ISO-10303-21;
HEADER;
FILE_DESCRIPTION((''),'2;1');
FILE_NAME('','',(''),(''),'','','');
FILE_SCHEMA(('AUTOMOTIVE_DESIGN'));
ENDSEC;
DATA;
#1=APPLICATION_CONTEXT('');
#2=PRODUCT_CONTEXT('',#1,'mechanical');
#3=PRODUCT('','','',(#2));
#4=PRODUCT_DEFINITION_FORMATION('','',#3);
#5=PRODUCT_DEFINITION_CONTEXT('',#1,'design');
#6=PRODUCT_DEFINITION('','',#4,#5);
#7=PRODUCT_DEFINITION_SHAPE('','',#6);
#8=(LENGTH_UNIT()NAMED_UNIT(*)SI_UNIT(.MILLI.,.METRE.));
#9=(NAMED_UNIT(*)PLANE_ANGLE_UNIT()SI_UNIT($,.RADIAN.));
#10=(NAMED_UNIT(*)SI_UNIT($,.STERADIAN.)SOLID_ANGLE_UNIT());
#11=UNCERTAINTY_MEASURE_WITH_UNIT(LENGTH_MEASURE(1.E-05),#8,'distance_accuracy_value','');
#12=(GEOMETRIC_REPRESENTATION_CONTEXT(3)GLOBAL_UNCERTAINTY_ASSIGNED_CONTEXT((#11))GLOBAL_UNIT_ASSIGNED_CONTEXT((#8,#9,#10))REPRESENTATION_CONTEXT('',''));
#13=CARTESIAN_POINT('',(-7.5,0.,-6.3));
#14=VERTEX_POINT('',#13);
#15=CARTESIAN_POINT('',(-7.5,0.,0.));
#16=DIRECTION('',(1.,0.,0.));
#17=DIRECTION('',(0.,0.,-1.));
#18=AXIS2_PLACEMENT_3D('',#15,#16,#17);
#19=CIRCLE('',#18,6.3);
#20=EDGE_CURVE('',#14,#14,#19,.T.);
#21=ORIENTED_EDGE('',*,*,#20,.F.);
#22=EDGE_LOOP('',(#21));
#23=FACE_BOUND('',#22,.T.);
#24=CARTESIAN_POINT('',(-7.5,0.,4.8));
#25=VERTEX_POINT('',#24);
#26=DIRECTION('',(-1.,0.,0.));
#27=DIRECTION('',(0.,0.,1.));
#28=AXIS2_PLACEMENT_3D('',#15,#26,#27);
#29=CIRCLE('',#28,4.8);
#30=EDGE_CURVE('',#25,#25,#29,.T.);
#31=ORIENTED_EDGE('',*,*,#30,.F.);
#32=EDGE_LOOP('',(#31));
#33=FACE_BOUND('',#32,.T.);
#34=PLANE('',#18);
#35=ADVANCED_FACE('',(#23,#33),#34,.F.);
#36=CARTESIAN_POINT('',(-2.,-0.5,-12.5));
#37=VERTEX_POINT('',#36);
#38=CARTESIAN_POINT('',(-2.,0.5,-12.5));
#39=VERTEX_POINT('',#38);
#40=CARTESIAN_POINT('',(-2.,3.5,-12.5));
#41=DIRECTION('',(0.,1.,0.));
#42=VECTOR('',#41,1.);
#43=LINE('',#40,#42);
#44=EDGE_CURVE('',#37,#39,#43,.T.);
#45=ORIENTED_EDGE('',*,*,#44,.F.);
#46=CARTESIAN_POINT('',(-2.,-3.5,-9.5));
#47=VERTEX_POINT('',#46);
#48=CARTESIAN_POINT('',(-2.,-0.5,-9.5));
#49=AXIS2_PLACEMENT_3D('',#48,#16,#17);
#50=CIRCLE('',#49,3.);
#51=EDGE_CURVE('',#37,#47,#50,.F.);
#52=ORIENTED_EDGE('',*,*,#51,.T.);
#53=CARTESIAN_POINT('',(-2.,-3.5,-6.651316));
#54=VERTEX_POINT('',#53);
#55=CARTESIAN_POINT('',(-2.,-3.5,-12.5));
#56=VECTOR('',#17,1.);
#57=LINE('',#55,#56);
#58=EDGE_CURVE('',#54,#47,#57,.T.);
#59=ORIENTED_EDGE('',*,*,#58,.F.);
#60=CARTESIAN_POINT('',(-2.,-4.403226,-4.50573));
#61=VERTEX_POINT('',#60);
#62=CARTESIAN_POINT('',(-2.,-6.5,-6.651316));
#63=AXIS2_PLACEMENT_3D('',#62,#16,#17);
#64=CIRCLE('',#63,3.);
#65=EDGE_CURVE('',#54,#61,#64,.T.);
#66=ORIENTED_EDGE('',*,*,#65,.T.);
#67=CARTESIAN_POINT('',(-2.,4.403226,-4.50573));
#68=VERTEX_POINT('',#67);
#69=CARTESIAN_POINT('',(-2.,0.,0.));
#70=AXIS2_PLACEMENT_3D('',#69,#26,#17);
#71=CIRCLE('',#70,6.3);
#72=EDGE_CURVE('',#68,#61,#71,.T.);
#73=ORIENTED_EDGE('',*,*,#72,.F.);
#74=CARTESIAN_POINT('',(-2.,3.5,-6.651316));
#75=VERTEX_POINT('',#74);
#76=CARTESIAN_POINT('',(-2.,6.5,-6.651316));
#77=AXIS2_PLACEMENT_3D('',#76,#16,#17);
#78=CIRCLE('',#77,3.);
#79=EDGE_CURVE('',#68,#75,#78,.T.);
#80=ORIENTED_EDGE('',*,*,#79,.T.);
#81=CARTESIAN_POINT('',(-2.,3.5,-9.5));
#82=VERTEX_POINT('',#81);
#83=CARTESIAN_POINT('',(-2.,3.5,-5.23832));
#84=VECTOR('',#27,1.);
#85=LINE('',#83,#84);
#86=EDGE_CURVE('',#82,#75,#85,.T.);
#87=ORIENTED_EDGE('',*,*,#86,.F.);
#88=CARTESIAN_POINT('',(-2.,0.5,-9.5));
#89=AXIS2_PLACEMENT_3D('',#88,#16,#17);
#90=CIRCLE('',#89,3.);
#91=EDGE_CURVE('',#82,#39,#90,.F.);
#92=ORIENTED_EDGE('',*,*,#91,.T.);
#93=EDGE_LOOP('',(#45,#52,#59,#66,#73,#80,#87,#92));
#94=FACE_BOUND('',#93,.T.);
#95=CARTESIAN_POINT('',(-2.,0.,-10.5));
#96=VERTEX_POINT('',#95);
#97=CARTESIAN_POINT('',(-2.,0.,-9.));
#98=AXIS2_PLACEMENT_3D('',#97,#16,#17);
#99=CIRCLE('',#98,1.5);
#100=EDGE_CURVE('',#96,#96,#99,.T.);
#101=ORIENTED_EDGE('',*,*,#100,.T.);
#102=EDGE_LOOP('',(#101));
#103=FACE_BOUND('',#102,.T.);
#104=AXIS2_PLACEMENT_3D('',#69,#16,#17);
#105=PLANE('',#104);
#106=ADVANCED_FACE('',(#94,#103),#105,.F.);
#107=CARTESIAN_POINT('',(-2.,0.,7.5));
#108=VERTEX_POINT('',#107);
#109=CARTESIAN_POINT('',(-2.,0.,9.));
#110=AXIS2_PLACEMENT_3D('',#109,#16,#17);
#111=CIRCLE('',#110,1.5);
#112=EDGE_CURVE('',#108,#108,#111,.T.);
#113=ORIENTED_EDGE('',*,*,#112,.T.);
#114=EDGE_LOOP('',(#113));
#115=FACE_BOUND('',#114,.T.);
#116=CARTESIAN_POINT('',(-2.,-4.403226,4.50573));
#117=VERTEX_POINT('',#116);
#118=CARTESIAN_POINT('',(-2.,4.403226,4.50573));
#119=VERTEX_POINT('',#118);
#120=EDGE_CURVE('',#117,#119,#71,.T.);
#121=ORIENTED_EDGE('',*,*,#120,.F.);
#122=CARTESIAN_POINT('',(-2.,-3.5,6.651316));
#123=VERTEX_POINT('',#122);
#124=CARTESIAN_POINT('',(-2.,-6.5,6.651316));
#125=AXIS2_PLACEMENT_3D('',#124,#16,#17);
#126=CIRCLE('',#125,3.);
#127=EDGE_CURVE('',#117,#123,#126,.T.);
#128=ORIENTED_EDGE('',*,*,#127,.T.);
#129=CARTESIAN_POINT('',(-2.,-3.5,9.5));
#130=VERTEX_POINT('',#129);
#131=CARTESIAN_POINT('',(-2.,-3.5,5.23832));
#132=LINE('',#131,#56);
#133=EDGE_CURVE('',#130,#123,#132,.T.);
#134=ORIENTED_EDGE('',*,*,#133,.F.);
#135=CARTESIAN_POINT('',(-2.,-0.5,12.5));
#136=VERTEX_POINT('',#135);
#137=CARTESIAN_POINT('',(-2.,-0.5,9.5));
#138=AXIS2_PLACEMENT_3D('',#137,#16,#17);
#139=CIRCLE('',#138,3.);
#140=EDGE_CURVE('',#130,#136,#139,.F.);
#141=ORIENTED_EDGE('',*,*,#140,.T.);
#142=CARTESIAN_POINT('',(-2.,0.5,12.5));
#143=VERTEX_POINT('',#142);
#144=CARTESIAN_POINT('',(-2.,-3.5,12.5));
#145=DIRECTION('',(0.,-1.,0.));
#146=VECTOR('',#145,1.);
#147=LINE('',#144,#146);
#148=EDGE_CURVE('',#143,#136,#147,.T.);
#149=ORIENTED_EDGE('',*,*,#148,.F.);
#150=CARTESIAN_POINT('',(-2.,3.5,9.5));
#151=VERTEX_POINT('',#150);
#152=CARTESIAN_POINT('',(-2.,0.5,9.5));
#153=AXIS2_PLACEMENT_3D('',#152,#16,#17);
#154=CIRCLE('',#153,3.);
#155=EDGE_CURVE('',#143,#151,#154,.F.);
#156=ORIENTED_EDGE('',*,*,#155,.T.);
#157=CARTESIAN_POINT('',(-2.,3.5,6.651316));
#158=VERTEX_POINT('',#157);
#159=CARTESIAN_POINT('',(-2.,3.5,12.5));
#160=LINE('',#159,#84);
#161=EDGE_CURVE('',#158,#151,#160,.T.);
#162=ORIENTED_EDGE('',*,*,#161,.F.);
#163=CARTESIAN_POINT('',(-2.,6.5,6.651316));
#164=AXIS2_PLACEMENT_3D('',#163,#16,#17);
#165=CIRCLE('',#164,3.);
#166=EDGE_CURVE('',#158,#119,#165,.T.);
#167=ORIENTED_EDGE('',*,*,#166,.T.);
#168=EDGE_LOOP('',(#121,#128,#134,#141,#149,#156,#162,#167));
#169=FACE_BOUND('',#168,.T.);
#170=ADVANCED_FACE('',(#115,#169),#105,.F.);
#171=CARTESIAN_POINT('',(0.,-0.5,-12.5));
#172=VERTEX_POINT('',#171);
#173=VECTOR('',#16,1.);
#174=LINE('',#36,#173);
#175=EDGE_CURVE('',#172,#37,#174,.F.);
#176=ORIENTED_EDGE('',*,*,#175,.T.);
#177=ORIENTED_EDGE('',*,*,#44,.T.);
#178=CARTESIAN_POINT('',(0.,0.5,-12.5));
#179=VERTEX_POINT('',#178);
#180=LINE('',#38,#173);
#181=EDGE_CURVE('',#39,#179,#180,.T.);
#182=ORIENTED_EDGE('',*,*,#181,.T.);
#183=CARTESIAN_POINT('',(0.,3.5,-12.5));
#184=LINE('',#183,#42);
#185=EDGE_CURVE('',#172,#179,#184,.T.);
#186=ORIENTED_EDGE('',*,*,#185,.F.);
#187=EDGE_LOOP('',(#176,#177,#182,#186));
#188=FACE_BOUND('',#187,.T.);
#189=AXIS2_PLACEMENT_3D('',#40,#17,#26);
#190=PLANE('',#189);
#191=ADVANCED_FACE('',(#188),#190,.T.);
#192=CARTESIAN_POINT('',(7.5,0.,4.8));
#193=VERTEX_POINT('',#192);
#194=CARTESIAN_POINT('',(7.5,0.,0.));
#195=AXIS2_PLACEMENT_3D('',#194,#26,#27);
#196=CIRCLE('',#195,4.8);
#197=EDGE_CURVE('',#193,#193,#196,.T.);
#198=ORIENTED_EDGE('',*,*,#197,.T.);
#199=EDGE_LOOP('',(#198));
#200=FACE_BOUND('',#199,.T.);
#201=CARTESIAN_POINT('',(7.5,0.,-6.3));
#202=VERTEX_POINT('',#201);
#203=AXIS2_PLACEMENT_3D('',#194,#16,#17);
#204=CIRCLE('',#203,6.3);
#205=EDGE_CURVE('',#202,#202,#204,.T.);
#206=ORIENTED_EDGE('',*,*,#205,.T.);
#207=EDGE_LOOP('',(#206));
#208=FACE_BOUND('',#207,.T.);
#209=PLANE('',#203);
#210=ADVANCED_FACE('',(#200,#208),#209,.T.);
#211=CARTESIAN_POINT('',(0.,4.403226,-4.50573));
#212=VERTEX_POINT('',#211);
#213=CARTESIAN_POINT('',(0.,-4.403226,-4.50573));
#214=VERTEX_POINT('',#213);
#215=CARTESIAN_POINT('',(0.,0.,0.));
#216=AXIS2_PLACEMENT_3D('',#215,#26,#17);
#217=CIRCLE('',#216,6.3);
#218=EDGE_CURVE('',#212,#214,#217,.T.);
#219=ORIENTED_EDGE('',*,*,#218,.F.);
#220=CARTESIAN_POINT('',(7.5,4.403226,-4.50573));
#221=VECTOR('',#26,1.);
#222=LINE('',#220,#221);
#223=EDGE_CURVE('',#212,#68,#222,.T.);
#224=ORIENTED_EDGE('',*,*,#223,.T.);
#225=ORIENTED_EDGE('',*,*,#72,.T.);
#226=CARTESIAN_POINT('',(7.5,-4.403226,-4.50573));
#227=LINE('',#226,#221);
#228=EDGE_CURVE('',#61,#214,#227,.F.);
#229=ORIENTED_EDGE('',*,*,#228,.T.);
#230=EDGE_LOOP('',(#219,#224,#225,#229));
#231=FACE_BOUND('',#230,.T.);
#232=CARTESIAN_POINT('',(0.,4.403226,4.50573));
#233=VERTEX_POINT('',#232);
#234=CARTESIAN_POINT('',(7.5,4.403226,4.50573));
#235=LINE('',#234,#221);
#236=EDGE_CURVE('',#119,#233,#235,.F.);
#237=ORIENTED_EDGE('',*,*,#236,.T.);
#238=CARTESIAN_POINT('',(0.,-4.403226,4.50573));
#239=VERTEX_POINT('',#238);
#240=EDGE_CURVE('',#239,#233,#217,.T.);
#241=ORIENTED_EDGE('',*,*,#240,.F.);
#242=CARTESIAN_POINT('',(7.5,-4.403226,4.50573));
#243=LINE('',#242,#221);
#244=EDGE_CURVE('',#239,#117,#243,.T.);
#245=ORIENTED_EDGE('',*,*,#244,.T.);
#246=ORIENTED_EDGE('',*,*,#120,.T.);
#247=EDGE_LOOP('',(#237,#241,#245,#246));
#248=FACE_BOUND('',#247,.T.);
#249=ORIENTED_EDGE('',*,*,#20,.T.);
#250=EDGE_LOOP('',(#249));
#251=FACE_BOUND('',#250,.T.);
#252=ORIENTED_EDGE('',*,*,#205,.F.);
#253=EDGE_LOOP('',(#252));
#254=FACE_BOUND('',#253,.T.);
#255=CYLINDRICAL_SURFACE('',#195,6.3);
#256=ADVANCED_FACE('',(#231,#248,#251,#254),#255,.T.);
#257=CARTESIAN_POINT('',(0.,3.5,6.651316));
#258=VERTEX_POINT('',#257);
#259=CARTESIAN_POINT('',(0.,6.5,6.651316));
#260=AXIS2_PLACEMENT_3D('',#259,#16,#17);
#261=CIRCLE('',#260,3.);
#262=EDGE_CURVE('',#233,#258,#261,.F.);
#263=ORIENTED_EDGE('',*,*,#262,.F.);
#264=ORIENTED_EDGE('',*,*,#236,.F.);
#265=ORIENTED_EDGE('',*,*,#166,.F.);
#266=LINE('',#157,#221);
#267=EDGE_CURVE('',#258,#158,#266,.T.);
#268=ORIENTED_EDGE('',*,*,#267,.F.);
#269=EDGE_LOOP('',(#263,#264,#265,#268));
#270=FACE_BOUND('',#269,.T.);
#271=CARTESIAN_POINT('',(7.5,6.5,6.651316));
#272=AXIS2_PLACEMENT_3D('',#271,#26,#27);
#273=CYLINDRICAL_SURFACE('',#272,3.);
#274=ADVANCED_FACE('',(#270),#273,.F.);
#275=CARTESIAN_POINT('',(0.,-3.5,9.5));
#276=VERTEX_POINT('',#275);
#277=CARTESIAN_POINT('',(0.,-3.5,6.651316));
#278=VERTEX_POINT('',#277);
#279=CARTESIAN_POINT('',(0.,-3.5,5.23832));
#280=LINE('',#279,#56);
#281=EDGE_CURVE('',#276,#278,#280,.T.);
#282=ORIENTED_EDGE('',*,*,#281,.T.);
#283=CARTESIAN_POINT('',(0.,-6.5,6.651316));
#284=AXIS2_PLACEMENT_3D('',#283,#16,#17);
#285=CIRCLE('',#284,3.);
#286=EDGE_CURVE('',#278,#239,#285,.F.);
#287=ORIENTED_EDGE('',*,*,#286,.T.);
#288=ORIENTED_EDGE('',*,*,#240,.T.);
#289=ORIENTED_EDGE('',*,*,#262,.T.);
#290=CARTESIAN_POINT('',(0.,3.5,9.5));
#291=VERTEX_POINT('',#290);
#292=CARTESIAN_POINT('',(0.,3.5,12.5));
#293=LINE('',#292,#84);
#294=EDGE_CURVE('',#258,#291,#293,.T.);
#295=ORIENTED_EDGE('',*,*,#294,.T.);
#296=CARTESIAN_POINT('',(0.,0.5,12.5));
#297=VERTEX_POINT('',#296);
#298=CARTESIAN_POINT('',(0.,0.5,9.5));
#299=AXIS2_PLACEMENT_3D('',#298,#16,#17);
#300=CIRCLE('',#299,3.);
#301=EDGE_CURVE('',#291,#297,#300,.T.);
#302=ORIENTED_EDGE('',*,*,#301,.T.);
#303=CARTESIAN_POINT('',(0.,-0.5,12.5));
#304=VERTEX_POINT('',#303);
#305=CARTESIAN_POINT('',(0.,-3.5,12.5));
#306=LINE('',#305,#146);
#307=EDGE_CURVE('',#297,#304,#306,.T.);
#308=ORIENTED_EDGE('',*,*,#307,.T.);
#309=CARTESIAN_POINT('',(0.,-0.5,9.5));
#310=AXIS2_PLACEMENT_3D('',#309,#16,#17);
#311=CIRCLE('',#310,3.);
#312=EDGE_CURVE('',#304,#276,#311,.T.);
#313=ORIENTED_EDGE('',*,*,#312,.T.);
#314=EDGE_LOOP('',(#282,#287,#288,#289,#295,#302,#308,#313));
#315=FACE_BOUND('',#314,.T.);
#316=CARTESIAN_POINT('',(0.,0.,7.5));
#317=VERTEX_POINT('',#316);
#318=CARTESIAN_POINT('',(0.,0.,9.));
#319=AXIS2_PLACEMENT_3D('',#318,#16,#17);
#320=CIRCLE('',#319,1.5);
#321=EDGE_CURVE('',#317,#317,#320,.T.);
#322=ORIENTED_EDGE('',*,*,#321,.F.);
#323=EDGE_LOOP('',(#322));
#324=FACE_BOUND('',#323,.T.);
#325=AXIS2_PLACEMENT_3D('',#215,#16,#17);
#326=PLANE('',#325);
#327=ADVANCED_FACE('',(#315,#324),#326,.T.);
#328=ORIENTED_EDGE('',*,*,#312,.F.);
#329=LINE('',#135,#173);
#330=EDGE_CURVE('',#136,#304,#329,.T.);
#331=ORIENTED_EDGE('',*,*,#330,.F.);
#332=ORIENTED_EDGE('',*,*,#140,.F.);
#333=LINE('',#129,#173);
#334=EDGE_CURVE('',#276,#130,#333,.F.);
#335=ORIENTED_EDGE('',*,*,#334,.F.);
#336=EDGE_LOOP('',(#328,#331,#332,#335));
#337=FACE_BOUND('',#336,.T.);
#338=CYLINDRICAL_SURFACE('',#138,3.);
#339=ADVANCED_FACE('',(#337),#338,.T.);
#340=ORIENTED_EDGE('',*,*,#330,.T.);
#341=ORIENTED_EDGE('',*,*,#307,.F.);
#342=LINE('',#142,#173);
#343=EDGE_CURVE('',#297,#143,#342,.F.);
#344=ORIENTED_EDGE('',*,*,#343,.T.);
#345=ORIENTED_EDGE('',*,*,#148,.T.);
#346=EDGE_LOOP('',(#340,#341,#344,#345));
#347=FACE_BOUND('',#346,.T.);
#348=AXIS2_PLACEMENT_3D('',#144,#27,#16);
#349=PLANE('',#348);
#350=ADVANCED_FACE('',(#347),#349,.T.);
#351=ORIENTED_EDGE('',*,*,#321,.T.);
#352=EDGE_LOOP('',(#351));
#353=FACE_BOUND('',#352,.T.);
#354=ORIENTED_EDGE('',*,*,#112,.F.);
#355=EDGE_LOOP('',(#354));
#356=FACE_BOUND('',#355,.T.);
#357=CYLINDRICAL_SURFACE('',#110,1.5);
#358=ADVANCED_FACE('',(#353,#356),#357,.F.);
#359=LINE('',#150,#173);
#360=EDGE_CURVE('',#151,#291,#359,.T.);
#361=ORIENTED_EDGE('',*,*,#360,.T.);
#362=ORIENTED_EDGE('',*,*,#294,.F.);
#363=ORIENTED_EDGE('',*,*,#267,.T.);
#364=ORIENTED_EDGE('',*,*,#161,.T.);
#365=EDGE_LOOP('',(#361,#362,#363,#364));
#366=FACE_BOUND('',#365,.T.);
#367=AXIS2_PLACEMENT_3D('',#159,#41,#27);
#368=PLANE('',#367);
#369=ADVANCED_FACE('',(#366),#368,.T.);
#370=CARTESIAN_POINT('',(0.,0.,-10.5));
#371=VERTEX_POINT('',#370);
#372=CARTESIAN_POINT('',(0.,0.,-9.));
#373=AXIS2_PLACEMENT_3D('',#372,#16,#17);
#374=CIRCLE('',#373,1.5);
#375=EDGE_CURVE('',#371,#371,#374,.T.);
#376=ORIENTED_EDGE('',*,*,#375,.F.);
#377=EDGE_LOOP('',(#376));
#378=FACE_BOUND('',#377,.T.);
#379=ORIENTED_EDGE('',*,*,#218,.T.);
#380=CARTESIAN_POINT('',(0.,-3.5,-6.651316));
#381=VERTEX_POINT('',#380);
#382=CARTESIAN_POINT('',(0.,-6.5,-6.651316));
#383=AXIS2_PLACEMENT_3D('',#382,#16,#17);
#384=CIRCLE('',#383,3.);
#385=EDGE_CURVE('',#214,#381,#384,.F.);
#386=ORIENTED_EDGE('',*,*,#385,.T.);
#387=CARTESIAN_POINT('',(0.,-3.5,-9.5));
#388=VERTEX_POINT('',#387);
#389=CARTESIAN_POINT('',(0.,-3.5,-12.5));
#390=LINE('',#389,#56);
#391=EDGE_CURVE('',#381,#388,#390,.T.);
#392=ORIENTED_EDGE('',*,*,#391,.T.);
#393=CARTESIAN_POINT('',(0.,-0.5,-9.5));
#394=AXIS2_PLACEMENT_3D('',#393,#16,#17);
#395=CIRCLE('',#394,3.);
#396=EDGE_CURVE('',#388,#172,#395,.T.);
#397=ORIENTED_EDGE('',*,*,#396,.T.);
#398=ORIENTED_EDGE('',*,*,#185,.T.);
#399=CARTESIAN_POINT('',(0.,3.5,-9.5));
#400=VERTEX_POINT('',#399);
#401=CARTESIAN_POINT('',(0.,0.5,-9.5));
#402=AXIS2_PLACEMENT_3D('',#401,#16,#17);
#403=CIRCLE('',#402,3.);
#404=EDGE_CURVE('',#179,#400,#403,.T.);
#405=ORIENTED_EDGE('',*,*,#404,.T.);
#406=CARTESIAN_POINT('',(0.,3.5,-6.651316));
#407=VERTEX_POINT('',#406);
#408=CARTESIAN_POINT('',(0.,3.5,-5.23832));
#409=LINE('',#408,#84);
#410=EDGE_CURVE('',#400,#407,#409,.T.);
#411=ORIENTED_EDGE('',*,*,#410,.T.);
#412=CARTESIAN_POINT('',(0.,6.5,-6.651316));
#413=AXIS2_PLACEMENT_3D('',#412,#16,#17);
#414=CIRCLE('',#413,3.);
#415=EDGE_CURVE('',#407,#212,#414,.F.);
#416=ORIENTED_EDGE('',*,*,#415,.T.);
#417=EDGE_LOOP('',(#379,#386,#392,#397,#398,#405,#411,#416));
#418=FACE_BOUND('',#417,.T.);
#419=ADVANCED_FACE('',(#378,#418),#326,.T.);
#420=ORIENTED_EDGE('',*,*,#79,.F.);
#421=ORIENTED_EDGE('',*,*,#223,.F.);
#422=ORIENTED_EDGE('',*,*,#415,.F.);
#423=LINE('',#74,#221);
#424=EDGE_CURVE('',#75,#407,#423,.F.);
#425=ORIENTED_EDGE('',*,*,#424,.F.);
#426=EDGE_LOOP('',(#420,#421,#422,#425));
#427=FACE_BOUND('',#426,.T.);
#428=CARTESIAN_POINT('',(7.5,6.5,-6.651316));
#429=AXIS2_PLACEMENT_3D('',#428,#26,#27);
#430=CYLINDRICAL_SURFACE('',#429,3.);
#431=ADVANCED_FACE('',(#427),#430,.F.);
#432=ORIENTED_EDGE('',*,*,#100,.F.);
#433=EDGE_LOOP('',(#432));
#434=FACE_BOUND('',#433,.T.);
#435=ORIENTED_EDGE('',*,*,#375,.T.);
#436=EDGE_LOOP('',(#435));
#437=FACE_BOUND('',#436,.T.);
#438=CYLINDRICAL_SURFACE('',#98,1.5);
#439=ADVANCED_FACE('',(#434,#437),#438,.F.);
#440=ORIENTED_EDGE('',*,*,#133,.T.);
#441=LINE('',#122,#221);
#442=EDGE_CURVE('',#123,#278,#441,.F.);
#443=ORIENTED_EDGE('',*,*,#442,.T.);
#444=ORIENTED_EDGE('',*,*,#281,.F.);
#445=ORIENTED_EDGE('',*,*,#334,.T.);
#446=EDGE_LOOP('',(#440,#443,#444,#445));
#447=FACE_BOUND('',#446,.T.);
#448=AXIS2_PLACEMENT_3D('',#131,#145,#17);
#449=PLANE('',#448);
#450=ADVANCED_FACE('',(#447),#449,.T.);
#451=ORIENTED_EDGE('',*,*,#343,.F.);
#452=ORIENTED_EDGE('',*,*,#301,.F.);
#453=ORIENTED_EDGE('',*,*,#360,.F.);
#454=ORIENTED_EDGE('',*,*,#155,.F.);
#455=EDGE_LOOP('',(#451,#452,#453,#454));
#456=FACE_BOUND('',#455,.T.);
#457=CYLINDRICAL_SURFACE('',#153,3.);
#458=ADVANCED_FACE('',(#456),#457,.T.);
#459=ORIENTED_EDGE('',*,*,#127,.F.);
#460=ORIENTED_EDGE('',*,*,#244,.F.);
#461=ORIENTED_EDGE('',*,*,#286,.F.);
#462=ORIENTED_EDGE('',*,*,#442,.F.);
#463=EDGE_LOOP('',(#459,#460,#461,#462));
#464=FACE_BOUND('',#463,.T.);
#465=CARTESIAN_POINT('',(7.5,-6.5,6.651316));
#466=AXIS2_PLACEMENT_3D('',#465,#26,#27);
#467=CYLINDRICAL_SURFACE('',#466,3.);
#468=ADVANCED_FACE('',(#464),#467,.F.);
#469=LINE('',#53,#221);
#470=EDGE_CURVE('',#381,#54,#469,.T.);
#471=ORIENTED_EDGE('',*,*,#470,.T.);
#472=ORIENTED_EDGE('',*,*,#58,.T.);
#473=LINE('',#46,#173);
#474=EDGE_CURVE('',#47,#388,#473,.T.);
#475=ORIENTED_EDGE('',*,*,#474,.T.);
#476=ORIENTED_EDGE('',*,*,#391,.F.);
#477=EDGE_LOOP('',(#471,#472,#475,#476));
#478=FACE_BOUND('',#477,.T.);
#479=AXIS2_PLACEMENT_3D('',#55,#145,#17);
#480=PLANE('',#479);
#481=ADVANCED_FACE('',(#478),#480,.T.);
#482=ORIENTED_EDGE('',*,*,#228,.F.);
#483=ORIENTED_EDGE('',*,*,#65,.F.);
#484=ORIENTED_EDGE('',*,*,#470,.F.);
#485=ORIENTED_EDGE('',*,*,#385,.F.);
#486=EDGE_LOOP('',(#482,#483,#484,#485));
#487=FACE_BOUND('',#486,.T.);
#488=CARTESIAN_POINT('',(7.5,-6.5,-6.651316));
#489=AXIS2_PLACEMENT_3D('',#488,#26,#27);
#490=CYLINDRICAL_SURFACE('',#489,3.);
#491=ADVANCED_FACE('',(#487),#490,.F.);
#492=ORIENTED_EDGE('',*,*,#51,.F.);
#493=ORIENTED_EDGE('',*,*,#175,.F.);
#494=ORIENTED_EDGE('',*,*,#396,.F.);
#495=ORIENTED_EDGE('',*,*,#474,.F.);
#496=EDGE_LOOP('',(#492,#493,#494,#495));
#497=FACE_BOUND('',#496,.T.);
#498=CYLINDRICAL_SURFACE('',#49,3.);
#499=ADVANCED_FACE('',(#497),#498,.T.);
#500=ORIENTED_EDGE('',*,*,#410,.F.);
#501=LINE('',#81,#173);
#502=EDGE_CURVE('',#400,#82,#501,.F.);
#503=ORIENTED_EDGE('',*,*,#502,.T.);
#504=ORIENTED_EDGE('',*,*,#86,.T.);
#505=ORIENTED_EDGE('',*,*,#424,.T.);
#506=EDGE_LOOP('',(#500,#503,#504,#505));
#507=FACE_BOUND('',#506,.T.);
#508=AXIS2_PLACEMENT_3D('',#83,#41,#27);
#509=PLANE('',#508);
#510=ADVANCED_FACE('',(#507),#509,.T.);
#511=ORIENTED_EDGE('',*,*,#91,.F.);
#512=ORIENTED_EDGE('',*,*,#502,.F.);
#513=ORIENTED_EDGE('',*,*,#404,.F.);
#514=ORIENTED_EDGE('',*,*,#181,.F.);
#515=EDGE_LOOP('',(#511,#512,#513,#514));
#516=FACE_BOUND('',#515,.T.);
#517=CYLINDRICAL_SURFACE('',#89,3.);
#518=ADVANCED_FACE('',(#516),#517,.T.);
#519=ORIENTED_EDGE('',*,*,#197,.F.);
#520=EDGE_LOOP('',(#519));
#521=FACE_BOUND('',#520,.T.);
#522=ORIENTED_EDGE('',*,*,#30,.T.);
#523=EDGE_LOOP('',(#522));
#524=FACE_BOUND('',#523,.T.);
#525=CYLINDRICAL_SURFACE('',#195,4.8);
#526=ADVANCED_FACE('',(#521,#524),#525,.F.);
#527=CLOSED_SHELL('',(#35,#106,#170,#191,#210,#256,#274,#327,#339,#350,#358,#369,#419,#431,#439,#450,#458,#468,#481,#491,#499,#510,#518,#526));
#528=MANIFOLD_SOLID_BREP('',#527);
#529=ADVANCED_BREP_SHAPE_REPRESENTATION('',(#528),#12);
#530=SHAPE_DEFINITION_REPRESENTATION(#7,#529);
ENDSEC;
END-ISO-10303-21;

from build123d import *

# Parameters (mm, degrees)
SKETCH1_R           = 6.3
BOSS_EXTRUDE1_DEPTH = 7.5
SKETCH26_R          = 1.5
BOSS_EXTRUDE3_DEPTH = 2
FILLET1_R           = 3
SKETCH24_R          = 4.8
CUT_EXTRUDE1_DEPTH  = 16


with BuildPart() as part:
    # Sketch1 → Boss-Extrude1 (new body, symmetric)
    with BuildSketch(Plane(origin=(0, 0, 0), x_dir=(0, 0, -1), z_dir=(1, 0, 0))):
        Circle(SKETCH1_R)
    extrude(amount=BOSS_EXTRUDE1_DEPTH, both=True)

    # Sketch26 → Boss-Extrude3 (add)
    with BuildSketch(Plane(origin=(0, 0, 0), x_dir=(0, 0, -1), z_dir=(1, 0, 0))):
        with BuildLine():
            Line((5.238320341, 3.5), (12.5, 3.5))
            Line((12.5, 3.5), (12.5, -3.5))
            Line((12.5, -3.5), (5.238320341, -3.5))
            ThreePointArc((5.238320341, -3.5), (6.3, 0), (5.238320341, 3.5))
        make_face()
        with Locations((9, 0)):
            Circle(SKETCH26_R, mode=Mode.SUBTRACT)
        with BuildLine():
            Line((-5.238320341, -3.5), (-12.5, -3.5))
            Line((-12.5, -3.5), (-12.5, 3.5))
            Line((-12.5, 3.5), (-5.238320341, 3.5))
            ThreePointArc((-5.238320341, 3.5), (-6.3, 0), (-5.238320341, -3.5))
        make_face()
        with Locations((-9, 0)):
            Circle(SKETCH26_R, mode=Mode.SUBTRACT)
    extrude(amount=-BOSS_EXTRUDE3_DEPTH)

    # Fillet1
    fillet1_edges = [part.edges().sort_by_distance(p)[0] for p in [
        (-1, -3.5, 12.5),
        (-1, 3.5, 12.5),
        (-1, 3.5, 5.238320341),
        (-1, -3.5, 5.238320341),
        (-1, -3.5, -5.238320341),
        (-1, 3.5, -5.238320341),
        (-1, 3.5, -12.5),
        (-1, -3.5, -12.5),
    ]]
    fillet(fillet1_edges, radius=FILLET1_R)

    # Sketch24 → Cut-Extrude1 (cut, through all)
    with BuildSketch(Plane.ZY.offset(7.5)):
        Circle(SKETCH24_R)
    extrude(amount=-CUT_EXTRUDE1_DEPTH, mode=Mode.SUBTRACT)


solid = part.part
